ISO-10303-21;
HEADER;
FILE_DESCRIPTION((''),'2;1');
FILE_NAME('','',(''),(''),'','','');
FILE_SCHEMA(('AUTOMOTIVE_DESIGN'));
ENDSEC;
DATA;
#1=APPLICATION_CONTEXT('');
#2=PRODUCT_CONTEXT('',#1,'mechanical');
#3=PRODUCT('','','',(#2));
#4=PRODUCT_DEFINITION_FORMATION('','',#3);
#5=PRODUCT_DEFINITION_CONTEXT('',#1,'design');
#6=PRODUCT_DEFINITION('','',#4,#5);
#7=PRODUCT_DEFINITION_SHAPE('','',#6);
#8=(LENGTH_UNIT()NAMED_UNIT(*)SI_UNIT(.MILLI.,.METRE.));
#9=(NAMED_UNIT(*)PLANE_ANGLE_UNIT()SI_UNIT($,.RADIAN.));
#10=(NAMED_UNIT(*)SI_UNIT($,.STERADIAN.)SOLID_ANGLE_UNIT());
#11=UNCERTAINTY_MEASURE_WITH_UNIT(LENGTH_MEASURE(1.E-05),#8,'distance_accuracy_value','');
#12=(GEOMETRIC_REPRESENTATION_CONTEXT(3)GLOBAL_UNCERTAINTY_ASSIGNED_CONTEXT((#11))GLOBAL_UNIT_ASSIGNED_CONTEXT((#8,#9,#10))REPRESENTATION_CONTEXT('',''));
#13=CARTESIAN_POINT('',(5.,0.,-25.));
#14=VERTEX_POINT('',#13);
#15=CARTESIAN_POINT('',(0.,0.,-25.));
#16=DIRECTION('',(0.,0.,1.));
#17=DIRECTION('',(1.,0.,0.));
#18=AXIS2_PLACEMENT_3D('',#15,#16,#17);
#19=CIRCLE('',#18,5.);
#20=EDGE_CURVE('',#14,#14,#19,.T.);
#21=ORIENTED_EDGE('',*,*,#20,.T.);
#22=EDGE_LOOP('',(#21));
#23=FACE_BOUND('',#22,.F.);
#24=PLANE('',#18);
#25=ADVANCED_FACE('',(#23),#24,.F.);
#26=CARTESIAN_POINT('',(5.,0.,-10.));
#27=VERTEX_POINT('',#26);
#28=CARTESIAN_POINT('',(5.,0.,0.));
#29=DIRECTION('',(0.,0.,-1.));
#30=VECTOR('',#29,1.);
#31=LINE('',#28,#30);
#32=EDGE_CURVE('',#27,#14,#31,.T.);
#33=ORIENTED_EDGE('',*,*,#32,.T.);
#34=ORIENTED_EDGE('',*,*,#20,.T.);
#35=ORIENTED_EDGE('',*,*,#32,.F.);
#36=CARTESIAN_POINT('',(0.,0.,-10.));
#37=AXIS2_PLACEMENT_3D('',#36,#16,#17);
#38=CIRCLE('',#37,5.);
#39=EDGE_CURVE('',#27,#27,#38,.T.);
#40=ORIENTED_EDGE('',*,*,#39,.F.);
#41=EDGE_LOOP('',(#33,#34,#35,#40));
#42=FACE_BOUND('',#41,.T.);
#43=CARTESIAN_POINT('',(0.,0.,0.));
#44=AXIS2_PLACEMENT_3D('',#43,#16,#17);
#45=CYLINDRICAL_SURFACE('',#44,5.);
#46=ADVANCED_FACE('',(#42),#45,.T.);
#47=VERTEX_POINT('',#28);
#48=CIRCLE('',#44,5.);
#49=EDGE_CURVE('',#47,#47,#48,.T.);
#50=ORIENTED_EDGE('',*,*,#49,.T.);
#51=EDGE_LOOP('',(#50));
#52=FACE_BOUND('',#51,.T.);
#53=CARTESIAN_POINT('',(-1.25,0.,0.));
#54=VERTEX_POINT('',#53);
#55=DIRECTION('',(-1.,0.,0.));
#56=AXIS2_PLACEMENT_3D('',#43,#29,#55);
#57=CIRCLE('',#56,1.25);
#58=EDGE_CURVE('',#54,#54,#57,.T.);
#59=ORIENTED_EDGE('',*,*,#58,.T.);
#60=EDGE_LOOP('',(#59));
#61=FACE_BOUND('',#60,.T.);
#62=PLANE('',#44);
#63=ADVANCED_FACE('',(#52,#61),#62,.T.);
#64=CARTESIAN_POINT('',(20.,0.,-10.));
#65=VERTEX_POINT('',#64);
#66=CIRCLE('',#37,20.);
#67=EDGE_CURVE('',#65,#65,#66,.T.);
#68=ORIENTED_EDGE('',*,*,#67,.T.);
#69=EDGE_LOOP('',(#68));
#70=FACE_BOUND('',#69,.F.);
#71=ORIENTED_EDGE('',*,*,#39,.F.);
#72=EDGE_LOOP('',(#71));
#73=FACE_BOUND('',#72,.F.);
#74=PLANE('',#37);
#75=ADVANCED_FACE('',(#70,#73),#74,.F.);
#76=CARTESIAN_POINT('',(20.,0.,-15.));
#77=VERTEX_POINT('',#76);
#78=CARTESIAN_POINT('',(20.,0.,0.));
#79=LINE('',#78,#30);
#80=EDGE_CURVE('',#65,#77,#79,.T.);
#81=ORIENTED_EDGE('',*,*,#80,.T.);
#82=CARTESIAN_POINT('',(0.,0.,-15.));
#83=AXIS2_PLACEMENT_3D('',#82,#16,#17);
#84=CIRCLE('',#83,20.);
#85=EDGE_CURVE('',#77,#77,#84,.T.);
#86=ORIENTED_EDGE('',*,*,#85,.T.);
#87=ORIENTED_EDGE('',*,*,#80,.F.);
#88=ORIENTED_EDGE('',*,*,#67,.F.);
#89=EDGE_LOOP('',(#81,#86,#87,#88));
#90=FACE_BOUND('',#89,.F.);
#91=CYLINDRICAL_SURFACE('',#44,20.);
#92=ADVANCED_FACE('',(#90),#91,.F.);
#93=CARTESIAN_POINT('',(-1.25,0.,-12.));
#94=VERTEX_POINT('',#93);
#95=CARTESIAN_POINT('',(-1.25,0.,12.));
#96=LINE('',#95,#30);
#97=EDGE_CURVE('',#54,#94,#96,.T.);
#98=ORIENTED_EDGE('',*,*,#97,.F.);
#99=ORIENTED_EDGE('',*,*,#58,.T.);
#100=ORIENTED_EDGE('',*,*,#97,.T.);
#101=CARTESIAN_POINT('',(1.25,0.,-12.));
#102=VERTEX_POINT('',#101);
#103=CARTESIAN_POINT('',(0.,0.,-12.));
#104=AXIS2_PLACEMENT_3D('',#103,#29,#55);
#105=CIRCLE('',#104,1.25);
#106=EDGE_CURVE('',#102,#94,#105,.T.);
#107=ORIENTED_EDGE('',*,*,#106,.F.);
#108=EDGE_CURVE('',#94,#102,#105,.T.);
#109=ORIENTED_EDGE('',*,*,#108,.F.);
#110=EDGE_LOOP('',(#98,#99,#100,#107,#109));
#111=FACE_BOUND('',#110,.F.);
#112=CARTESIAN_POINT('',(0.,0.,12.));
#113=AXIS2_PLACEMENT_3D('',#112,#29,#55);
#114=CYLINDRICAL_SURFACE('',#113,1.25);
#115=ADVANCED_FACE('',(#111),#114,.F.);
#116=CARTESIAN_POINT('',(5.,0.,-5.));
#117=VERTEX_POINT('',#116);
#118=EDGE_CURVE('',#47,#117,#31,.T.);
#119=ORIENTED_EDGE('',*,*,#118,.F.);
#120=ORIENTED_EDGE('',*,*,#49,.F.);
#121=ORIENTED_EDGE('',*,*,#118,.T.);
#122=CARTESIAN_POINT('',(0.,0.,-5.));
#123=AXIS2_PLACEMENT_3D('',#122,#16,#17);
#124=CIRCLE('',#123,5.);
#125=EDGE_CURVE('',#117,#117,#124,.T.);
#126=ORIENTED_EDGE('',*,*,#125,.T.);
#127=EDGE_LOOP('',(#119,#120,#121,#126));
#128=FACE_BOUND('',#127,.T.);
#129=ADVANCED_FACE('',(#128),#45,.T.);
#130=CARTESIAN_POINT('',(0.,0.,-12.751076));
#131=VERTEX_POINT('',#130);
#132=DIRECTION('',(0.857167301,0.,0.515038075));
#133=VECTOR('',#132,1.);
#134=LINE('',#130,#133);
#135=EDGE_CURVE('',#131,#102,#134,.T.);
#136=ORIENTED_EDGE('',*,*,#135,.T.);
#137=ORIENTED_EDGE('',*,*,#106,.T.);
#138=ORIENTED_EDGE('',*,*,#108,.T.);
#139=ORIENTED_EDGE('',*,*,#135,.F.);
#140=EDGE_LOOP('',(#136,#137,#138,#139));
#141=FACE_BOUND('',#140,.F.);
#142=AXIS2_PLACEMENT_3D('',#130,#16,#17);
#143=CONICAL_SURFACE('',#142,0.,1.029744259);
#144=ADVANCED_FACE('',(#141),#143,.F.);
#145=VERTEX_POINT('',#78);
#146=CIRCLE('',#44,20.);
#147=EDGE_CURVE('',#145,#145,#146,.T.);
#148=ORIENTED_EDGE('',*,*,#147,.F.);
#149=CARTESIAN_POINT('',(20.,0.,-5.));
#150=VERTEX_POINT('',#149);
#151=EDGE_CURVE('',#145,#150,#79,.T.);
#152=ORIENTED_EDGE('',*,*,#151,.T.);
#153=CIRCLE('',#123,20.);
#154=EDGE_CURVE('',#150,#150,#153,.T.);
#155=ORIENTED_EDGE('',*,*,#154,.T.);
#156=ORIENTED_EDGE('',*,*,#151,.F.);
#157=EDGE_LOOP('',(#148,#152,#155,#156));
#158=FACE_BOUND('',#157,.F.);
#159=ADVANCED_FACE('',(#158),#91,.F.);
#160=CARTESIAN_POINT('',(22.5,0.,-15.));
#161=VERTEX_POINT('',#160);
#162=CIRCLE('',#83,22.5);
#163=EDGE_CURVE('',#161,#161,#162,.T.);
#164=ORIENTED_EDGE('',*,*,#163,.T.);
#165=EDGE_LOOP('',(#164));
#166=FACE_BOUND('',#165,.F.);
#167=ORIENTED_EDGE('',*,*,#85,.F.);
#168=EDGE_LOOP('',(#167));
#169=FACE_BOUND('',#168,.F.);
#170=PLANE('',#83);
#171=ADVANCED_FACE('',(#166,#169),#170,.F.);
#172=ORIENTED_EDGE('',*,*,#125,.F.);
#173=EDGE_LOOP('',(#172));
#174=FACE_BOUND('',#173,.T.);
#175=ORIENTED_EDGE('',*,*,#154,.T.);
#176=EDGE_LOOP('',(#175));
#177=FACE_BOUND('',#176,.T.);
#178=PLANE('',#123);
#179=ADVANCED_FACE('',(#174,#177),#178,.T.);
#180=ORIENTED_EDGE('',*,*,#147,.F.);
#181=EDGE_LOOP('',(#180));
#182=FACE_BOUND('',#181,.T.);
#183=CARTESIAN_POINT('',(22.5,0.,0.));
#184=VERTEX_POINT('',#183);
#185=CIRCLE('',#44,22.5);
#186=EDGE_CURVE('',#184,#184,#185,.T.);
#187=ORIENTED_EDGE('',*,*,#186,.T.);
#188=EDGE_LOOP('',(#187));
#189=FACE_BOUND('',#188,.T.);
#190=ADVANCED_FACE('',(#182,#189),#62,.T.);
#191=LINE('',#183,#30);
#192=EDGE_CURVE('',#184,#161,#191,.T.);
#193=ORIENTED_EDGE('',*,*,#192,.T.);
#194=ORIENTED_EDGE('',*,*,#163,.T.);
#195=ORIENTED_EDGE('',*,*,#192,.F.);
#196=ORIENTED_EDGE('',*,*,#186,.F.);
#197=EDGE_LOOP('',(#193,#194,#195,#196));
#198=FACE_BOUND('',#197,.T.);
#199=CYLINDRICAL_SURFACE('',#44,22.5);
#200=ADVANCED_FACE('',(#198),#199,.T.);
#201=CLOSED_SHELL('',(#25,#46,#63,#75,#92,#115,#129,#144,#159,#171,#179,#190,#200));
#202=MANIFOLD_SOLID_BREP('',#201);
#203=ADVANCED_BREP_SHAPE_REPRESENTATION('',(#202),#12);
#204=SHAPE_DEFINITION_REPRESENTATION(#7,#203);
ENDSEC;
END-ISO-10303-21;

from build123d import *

# Parameters (mm, degrees)
F0_R     = 22.5
F0_R_2   = 20
F1_DEPTH = 15
F0_R_3   = 5
F2_DEPTH = 10
F3_DEPTH = 5
F0_R_4   = 1.25
F4_DEPTH = 25
F5_D     = 2.5
F5_DEPTH = 12
F5_TIP   = 0.7510757738


with BuildPart() as f1:
    # F0 (on Top) → F1 (new body)
    with BuildSketch(Plane.XY):
        Circle(F0_R)
        Circle(F0_R_2, mode=Mode.SUBTRACT)
    extrude(amount=-F1_DEPTH)

    # F0 (on Top) → F2 (join)
    with BuildSketch(Plane.XY):
        Circle(F0_R_2)
        Circle(F0_R_3, mode=Mode.SUBTRACT)
    extrude(amount=-F2_DEPTH)

    # F0 (on Top) → F3 (cut)
    with BuildSketch(Plane.XY):
        Circle(F0_R_2)
        Circle(F0_R_3, mode=Mode.SUBTRACT)
    extrude(amount=-F3_DEPTH, mode=Mode.SUBTRACT)

    # F0 (on Top) → F4 (join)
    with BuildSketch(Plane.XY):
        Circle(F0_R_3)
        Circle(F0_R_4, mode=Mode.SUBTRACT)
        Circle(F0_R_4)
    extrude(amount=-F4_DEPTH)

    # F5
    with Locations(Plane.XY):
        with Locations((0, 0)):
            Hole(F5_D / 2, depth=F5_DEPTH)
            with Locations((0, 0, -(F5_DEPTH + F5_TIP / 2))):  # 118° drill point
                Cone(0, F5_D / 2, F5_TIP, mode=Mode.SUBTRACT)


solid = f1.part
